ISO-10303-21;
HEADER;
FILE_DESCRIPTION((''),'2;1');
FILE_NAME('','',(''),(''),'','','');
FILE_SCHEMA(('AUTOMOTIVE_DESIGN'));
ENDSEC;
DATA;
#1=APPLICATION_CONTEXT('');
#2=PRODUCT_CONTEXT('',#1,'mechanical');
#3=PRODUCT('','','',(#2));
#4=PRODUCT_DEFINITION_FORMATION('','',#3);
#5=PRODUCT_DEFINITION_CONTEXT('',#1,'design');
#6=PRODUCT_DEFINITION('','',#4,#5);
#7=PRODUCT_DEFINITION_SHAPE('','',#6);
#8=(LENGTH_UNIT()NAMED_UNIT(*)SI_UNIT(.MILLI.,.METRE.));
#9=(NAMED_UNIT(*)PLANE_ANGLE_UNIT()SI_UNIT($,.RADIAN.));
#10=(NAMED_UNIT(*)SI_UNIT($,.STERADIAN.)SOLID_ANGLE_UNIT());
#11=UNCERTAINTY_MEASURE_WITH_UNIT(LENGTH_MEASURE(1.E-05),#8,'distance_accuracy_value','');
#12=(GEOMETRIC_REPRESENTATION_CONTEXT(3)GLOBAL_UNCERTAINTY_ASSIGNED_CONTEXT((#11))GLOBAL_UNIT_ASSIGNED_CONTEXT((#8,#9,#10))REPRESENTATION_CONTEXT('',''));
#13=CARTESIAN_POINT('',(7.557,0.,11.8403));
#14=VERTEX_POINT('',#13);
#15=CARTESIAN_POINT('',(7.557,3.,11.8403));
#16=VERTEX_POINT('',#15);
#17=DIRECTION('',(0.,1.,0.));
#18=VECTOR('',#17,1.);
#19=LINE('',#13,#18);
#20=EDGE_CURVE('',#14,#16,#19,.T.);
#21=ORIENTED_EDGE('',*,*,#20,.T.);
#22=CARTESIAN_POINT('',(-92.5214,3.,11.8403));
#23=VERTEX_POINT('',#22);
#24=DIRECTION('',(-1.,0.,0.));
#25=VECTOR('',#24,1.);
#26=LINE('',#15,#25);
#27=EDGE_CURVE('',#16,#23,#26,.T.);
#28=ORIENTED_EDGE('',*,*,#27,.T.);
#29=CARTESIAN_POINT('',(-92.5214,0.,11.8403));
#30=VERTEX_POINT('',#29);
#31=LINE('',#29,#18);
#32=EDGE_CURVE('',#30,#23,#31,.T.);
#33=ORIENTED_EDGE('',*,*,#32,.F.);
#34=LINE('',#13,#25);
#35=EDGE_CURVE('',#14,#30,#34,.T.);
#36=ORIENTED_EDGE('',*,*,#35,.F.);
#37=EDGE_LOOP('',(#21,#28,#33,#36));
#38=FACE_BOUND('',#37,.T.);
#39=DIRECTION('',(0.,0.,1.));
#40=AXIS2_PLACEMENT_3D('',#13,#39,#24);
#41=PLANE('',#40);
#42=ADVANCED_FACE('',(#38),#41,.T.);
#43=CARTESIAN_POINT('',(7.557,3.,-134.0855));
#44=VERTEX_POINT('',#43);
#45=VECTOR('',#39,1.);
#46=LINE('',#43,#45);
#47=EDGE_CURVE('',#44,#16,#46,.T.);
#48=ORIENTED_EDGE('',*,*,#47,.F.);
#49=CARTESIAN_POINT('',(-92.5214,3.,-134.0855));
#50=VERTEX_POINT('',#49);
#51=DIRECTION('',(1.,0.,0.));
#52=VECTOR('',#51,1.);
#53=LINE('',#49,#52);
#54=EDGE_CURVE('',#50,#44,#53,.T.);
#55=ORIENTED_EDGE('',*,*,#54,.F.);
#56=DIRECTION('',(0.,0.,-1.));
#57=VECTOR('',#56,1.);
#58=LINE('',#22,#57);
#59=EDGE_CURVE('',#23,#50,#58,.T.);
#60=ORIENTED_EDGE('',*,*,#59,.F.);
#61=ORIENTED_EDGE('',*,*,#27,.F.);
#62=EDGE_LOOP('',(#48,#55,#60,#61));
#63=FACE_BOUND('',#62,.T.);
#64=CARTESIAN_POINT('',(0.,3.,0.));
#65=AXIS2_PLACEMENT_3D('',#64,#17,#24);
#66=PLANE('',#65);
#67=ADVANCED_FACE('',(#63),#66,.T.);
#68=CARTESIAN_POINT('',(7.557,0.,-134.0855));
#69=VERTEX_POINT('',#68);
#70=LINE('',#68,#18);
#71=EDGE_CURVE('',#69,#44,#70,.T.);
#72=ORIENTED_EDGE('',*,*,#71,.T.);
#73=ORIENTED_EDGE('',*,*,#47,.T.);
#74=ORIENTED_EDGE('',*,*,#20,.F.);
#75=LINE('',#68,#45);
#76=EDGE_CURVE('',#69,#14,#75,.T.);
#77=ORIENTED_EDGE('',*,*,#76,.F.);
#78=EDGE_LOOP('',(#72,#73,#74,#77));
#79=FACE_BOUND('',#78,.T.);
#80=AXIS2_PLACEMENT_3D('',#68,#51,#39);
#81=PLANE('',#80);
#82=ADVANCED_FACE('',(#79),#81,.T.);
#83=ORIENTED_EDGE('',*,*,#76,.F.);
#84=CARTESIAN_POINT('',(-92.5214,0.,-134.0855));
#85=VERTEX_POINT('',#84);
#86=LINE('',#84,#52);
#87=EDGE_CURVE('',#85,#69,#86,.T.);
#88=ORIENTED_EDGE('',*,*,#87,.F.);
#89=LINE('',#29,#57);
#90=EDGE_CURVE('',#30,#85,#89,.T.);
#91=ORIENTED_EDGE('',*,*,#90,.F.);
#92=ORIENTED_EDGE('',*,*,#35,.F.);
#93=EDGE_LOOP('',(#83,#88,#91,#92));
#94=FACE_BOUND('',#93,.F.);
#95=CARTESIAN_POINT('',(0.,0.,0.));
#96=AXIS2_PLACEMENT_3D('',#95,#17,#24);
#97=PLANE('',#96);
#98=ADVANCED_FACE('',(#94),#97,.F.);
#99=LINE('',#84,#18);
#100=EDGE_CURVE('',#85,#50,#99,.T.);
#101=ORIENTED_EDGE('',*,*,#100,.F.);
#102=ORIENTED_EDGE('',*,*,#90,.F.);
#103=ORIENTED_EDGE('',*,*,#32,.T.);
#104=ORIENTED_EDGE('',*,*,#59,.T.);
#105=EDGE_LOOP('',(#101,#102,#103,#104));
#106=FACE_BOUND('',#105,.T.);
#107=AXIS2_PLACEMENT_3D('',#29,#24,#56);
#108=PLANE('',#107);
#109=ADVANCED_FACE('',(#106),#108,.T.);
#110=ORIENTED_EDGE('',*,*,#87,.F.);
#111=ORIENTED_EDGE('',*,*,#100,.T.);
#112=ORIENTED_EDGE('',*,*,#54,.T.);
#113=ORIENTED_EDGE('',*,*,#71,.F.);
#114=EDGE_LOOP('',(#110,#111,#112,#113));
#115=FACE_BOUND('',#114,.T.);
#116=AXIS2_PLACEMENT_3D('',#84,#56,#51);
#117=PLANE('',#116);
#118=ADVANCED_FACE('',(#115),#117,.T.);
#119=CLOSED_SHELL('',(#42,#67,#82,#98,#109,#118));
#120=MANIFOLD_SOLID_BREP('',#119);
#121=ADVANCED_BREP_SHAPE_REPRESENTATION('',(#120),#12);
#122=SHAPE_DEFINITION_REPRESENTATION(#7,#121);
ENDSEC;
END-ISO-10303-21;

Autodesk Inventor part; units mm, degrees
ref_plane "YZ Plane" through (0, 0, 0) normal (1, 0, 0) x (0, 1, 0)
ref_plane "XZ Plane" through (0, 0, 0) normal (0, 1, 0) x (-1, 0, 0)
ref_plane "XY Plane" through (0, 0, 0) normal (0, 0, 1) x (1, 0, 0)
sketch "Sketch1" plane through (0, 0, 0) normal (0, 1, 0) x (-1, 0, 0)
  line L0 (-7.557, 11.8403) -> (92.5214, 11.8403)
  line L1 (92.5214, 11.8403) -> (92.5214, -134.0855)
  line L2 (92.5214, -134.0855) -> (-7.557, -134.0855)
  line L3 (-7.557, -134.0855) -> (-7.557, 11.8403)
extrude "Extrusion1" add sketch "Sketch1" along normal blind 3
properties part number "Cover"
